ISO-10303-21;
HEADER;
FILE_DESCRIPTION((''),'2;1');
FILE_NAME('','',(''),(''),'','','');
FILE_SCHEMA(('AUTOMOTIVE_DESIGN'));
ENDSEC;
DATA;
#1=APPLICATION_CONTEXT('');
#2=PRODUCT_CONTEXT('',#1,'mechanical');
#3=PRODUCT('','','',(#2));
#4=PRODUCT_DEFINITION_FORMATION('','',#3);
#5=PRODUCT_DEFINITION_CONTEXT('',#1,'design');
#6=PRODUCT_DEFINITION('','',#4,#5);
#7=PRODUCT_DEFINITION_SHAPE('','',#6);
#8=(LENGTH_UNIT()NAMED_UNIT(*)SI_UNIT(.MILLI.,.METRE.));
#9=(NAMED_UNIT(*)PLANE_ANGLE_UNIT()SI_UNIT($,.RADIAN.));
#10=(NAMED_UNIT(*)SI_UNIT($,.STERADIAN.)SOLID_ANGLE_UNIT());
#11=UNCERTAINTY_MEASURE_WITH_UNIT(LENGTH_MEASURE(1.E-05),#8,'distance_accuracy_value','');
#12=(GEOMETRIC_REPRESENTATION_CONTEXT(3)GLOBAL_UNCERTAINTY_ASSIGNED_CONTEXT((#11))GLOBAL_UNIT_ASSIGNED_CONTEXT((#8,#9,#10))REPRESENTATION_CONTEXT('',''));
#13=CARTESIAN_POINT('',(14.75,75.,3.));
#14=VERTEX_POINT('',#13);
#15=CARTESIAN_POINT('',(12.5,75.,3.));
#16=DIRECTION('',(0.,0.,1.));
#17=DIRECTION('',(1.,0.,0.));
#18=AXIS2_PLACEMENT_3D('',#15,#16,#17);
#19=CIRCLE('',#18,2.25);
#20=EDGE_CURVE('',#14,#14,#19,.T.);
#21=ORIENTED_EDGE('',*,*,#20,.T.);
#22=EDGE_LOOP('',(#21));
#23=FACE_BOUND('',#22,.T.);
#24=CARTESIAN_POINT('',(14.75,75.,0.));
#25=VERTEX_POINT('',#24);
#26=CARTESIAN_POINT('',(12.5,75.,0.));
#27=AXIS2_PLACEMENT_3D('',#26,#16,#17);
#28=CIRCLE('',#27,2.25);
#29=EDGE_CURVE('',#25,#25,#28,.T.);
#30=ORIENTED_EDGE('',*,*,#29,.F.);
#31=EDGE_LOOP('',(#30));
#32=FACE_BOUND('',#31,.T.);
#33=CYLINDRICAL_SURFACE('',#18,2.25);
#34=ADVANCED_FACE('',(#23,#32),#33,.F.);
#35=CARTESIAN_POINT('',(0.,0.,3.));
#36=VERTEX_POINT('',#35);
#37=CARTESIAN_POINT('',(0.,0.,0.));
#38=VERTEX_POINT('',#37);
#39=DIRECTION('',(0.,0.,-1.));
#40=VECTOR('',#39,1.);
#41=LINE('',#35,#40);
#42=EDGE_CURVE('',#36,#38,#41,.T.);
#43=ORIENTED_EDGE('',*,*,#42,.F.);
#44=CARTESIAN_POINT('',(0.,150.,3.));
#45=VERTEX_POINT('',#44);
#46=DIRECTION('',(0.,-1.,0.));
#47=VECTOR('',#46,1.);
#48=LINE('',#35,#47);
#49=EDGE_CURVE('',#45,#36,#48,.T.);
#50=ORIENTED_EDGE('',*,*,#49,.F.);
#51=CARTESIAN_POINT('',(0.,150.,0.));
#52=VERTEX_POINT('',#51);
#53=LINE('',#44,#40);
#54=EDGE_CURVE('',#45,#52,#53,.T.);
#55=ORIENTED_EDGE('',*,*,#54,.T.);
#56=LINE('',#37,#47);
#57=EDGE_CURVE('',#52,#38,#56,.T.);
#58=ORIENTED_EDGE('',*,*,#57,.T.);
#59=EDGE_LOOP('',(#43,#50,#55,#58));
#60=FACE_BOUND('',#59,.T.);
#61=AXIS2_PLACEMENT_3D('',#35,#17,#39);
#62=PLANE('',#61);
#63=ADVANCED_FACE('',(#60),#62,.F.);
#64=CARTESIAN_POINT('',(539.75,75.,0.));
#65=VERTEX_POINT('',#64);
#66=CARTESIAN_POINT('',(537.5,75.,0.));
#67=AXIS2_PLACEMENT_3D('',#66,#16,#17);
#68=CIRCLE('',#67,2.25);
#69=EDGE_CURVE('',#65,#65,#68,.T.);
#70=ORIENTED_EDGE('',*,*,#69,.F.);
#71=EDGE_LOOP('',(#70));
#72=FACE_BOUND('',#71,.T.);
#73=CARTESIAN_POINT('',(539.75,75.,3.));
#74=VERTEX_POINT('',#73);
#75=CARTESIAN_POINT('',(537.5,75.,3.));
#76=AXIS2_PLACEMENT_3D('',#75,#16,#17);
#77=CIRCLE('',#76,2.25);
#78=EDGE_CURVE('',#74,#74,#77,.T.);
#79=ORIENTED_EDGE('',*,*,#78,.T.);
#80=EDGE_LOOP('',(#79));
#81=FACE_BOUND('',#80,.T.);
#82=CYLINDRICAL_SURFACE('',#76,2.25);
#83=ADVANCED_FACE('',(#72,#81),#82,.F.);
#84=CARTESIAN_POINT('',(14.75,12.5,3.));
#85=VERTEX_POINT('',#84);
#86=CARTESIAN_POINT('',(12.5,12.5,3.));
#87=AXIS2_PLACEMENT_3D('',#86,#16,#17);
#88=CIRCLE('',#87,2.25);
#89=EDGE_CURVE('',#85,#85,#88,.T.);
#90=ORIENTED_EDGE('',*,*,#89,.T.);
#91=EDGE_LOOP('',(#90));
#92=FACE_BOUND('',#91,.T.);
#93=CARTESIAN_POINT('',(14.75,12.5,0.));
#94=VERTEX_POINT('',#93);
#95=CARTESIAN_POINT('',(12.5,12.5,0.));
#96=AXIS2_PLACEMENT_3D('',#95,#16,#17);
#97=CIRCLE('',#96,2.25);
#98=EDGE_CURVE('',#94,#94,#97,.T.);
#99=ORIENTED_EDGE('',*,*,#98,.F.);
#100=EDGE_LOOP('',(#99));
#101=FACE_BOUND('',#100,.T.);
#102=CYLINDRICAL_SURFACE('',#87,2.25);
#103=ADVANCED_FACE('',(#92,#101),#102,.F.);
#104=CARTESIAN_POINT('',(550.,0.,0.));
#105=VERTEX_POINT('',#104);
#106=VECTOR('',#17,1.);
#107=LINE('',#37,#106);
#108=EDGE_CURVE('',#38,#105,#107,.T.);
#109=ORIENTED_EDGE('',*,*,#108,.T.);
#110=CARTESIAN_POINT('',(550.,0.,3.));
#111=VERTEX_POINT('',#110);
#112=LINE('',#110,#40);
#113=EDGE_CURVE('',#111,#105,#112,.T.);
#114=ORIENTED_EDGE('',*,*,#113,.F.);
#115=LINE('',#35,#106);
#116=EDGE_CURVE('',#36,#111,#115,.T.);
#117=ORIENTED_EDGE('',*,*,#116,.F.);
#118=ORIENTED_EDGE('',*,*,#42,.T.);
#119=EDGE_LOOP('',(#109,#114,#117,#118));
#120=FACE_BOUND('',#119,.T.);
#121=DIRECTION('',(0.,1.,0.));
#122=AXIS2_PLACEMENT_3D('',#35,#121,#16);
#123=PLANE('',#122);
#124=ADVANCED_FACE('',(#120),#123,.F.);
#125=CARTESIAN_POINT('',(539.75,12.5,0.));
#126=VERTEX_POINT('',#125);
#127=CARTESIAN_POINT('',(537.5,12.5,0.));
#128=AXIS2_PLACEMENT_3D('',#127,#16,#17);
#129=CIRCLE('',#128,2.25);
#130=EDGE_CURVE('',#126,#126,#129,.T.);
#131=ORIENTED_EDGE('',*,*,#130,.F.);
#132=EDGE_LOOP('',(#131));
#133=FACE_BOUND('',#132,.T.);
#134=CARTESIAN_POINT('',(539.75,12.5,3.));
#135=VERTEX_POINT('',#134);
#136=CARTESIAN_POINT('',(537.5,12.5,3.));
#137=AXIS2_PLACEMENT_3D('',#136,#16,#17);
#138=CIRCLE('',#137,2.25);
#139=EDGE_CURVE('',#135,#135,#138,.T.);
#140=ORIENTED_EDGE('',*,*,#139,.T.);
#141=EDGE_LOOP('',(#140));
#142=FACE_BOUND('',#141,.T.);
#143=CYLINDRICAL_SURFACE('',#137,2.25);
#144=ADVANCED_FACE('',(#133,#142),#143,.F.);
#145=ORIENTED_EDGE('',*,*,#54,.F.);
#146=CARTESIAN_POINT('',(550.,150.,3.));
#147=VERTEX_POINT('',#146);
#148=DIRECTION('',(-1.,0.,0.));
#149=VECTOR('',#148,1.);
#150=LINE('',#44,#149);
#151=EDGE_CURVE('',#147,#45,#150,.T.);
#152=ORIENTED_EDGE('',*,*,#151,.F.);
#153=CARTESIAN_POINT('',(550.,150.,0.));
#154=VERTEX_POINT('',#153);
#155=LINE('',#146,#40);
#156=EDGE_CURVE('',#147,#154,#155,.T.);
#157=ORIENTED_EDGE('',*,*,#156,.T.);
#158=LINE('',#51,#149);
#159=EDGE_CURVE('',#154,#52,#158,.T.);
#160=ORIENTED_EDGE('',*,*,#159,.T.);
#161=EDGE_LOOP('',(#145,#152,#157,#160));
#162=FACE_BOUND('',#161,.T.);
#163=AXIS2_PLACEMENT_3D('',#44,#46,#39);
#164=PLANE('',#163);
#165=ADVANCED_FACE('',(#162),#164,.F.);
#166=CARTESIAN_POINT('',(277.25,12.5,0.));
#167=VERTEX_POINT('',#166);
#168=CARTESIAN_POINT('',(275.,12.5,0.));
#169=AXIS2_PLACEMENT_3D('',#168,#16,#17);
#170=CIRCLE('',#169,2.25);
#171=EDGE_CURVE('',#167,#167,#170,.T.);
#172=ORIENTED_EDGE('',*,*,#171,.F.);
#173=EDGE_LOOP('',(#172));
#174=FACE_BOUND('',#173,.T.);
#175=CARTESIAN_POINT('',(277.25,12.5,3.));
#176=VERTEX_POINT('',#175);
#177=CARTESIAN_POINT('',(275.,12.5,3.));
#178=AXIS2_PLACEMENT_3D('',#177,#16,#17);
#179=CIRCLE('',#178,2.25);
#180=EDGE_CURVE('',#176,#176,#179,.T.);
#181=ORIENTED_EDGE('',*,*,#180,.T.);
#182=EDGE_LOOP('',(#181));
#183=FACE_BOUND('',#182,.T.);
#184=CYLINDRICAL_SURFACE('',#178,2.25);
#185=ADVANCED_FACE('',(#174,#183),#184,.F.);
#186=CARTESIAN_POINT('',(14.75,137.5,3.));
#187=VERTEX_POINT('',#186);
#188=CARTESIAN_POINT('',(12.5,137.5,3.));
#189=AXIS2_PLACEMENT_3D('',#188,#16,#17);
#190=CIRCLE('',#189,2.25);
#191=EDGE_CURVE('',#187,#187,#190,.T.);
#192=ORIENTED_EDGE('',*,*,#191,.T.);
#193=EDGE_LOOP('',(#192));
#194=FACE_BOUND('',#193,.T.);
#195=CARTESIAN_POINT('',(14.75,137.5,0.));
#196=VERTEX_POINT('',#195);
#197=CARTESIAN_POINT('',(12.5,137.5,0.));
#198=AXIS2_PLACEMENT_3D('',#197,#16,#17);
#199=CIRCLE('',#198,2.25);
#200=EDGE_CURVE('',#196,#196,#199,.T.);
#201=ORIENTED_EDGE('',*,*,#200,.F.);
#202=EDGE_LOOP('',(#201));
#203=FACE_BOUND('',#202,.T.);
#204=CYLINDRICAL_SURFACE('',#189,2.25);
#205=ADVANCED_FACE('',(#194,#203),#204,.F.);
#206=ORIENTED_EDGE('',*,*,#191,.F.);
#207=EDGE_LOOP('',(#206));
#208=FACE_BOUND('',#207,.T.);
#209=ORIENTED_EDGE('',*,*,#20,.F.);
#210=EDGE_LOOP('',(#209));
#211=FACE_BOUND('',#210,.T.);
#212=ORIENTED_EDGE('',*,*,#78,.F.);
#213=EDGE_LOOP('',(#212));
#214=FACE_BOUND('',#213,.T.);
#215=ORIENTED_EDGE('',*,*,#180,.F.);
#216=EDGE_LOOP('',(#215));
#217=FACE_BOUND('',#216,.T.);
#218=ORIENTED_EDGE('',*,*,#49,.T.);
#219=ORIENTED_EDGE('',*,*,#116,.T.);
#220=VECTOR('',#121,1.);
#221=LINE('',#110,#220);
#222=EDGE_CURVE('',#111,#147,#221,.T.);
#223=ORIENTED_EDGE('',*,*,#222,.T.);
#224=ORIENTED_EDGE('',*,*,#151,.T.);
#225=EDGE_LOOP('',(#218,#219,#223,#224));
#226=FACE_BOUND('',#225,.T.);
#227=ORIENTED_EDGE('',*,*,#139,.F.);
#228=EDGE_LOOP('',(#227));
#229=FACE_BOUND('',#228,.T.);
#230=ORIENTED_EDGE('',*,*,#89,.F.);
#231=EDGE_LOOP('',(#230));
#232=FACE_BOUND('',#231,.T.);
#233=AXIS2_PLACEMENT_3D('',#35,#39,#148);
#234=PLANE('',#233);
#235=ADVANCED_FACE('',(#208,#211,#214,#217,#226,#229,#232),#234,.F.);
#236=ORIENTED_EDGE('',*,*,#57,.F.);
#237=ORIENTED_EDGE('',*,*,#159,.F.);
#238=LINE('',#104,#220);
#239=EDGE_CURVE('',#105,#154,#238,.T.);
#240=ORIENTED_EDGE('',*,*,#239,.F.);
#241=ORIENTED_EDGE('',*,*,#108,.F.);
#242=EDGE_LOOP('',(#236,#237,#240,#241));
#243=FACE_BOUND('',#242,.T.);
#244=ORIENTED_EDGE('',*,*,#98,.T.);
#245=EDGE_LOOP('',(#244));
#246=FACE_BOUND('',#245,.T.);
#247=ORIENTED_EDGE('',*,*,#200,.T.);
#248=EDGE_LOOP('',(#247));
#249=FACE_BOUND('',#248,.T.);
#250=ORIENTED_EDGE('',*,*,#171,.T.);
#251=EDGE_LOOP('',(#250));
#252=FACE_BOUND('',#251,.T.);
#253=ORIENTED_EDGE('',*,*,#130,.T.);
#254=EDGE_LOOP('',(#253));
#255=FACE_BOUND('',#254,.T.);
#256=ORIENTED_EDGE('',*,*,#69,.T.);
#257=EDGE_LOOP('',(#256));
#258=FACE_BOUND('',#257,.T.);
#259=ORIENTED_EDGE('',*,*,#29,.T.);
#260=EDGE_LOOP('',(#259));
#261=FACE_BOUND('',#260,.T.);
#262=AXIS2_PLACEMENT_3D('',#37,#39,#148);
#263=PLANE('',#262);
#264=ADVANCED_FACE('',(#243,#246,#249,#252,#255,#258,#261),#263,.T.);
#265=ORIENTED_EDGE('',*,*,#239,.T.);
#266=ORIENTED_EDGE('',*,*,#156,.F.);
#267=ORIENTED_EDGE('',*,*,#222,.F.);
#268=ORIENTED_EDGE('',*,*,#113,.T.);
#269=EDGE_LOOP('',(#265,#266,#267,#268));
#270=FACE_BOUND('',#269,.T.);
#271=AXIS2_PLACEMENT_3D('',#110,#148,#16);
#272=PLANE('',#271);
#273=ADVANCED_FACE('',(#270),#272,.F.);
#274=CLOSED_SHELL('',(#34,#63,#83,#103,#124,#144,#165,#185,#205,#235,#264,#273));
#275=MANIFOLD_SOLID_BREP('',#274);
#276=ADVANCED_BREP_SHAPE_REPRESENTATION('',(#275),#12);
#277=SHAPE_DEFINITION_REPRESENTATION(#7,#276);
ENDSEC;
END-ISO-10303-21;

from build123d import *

# Parameters (mm, degrees)
SKETCH1_W            = 550
SKETCH1_H            = 150
BOSS_EXTRUDE1_DEPTH  = 3
M4_CLEARANCE_HOLE1_D = 4.5


with BuildPart() as part:
    # Sketch1 → Boss-Extrude1 (new body)
    with BuildSketch(Plane.XY):
        with Locations((275, 75)):
            Rectangle(SKETCH1_W, SKETCH1_H)
    extrude(amount=BOSS_EXTRUDE1_DEPTH)

    # M4 Clearance Hole1 (through all)
    with Locations(Plane.XY.offset(3)):
        with Locations((12.5, 75), (12.5, 137.5), (12.5, 12.5), (275, 12.5), (537.5, 12.5), (537.5, 75), (537.5, 237.5)):
            Hole(M4_CLEARANCE_HOLE1_D / 2)


solid = part.part
